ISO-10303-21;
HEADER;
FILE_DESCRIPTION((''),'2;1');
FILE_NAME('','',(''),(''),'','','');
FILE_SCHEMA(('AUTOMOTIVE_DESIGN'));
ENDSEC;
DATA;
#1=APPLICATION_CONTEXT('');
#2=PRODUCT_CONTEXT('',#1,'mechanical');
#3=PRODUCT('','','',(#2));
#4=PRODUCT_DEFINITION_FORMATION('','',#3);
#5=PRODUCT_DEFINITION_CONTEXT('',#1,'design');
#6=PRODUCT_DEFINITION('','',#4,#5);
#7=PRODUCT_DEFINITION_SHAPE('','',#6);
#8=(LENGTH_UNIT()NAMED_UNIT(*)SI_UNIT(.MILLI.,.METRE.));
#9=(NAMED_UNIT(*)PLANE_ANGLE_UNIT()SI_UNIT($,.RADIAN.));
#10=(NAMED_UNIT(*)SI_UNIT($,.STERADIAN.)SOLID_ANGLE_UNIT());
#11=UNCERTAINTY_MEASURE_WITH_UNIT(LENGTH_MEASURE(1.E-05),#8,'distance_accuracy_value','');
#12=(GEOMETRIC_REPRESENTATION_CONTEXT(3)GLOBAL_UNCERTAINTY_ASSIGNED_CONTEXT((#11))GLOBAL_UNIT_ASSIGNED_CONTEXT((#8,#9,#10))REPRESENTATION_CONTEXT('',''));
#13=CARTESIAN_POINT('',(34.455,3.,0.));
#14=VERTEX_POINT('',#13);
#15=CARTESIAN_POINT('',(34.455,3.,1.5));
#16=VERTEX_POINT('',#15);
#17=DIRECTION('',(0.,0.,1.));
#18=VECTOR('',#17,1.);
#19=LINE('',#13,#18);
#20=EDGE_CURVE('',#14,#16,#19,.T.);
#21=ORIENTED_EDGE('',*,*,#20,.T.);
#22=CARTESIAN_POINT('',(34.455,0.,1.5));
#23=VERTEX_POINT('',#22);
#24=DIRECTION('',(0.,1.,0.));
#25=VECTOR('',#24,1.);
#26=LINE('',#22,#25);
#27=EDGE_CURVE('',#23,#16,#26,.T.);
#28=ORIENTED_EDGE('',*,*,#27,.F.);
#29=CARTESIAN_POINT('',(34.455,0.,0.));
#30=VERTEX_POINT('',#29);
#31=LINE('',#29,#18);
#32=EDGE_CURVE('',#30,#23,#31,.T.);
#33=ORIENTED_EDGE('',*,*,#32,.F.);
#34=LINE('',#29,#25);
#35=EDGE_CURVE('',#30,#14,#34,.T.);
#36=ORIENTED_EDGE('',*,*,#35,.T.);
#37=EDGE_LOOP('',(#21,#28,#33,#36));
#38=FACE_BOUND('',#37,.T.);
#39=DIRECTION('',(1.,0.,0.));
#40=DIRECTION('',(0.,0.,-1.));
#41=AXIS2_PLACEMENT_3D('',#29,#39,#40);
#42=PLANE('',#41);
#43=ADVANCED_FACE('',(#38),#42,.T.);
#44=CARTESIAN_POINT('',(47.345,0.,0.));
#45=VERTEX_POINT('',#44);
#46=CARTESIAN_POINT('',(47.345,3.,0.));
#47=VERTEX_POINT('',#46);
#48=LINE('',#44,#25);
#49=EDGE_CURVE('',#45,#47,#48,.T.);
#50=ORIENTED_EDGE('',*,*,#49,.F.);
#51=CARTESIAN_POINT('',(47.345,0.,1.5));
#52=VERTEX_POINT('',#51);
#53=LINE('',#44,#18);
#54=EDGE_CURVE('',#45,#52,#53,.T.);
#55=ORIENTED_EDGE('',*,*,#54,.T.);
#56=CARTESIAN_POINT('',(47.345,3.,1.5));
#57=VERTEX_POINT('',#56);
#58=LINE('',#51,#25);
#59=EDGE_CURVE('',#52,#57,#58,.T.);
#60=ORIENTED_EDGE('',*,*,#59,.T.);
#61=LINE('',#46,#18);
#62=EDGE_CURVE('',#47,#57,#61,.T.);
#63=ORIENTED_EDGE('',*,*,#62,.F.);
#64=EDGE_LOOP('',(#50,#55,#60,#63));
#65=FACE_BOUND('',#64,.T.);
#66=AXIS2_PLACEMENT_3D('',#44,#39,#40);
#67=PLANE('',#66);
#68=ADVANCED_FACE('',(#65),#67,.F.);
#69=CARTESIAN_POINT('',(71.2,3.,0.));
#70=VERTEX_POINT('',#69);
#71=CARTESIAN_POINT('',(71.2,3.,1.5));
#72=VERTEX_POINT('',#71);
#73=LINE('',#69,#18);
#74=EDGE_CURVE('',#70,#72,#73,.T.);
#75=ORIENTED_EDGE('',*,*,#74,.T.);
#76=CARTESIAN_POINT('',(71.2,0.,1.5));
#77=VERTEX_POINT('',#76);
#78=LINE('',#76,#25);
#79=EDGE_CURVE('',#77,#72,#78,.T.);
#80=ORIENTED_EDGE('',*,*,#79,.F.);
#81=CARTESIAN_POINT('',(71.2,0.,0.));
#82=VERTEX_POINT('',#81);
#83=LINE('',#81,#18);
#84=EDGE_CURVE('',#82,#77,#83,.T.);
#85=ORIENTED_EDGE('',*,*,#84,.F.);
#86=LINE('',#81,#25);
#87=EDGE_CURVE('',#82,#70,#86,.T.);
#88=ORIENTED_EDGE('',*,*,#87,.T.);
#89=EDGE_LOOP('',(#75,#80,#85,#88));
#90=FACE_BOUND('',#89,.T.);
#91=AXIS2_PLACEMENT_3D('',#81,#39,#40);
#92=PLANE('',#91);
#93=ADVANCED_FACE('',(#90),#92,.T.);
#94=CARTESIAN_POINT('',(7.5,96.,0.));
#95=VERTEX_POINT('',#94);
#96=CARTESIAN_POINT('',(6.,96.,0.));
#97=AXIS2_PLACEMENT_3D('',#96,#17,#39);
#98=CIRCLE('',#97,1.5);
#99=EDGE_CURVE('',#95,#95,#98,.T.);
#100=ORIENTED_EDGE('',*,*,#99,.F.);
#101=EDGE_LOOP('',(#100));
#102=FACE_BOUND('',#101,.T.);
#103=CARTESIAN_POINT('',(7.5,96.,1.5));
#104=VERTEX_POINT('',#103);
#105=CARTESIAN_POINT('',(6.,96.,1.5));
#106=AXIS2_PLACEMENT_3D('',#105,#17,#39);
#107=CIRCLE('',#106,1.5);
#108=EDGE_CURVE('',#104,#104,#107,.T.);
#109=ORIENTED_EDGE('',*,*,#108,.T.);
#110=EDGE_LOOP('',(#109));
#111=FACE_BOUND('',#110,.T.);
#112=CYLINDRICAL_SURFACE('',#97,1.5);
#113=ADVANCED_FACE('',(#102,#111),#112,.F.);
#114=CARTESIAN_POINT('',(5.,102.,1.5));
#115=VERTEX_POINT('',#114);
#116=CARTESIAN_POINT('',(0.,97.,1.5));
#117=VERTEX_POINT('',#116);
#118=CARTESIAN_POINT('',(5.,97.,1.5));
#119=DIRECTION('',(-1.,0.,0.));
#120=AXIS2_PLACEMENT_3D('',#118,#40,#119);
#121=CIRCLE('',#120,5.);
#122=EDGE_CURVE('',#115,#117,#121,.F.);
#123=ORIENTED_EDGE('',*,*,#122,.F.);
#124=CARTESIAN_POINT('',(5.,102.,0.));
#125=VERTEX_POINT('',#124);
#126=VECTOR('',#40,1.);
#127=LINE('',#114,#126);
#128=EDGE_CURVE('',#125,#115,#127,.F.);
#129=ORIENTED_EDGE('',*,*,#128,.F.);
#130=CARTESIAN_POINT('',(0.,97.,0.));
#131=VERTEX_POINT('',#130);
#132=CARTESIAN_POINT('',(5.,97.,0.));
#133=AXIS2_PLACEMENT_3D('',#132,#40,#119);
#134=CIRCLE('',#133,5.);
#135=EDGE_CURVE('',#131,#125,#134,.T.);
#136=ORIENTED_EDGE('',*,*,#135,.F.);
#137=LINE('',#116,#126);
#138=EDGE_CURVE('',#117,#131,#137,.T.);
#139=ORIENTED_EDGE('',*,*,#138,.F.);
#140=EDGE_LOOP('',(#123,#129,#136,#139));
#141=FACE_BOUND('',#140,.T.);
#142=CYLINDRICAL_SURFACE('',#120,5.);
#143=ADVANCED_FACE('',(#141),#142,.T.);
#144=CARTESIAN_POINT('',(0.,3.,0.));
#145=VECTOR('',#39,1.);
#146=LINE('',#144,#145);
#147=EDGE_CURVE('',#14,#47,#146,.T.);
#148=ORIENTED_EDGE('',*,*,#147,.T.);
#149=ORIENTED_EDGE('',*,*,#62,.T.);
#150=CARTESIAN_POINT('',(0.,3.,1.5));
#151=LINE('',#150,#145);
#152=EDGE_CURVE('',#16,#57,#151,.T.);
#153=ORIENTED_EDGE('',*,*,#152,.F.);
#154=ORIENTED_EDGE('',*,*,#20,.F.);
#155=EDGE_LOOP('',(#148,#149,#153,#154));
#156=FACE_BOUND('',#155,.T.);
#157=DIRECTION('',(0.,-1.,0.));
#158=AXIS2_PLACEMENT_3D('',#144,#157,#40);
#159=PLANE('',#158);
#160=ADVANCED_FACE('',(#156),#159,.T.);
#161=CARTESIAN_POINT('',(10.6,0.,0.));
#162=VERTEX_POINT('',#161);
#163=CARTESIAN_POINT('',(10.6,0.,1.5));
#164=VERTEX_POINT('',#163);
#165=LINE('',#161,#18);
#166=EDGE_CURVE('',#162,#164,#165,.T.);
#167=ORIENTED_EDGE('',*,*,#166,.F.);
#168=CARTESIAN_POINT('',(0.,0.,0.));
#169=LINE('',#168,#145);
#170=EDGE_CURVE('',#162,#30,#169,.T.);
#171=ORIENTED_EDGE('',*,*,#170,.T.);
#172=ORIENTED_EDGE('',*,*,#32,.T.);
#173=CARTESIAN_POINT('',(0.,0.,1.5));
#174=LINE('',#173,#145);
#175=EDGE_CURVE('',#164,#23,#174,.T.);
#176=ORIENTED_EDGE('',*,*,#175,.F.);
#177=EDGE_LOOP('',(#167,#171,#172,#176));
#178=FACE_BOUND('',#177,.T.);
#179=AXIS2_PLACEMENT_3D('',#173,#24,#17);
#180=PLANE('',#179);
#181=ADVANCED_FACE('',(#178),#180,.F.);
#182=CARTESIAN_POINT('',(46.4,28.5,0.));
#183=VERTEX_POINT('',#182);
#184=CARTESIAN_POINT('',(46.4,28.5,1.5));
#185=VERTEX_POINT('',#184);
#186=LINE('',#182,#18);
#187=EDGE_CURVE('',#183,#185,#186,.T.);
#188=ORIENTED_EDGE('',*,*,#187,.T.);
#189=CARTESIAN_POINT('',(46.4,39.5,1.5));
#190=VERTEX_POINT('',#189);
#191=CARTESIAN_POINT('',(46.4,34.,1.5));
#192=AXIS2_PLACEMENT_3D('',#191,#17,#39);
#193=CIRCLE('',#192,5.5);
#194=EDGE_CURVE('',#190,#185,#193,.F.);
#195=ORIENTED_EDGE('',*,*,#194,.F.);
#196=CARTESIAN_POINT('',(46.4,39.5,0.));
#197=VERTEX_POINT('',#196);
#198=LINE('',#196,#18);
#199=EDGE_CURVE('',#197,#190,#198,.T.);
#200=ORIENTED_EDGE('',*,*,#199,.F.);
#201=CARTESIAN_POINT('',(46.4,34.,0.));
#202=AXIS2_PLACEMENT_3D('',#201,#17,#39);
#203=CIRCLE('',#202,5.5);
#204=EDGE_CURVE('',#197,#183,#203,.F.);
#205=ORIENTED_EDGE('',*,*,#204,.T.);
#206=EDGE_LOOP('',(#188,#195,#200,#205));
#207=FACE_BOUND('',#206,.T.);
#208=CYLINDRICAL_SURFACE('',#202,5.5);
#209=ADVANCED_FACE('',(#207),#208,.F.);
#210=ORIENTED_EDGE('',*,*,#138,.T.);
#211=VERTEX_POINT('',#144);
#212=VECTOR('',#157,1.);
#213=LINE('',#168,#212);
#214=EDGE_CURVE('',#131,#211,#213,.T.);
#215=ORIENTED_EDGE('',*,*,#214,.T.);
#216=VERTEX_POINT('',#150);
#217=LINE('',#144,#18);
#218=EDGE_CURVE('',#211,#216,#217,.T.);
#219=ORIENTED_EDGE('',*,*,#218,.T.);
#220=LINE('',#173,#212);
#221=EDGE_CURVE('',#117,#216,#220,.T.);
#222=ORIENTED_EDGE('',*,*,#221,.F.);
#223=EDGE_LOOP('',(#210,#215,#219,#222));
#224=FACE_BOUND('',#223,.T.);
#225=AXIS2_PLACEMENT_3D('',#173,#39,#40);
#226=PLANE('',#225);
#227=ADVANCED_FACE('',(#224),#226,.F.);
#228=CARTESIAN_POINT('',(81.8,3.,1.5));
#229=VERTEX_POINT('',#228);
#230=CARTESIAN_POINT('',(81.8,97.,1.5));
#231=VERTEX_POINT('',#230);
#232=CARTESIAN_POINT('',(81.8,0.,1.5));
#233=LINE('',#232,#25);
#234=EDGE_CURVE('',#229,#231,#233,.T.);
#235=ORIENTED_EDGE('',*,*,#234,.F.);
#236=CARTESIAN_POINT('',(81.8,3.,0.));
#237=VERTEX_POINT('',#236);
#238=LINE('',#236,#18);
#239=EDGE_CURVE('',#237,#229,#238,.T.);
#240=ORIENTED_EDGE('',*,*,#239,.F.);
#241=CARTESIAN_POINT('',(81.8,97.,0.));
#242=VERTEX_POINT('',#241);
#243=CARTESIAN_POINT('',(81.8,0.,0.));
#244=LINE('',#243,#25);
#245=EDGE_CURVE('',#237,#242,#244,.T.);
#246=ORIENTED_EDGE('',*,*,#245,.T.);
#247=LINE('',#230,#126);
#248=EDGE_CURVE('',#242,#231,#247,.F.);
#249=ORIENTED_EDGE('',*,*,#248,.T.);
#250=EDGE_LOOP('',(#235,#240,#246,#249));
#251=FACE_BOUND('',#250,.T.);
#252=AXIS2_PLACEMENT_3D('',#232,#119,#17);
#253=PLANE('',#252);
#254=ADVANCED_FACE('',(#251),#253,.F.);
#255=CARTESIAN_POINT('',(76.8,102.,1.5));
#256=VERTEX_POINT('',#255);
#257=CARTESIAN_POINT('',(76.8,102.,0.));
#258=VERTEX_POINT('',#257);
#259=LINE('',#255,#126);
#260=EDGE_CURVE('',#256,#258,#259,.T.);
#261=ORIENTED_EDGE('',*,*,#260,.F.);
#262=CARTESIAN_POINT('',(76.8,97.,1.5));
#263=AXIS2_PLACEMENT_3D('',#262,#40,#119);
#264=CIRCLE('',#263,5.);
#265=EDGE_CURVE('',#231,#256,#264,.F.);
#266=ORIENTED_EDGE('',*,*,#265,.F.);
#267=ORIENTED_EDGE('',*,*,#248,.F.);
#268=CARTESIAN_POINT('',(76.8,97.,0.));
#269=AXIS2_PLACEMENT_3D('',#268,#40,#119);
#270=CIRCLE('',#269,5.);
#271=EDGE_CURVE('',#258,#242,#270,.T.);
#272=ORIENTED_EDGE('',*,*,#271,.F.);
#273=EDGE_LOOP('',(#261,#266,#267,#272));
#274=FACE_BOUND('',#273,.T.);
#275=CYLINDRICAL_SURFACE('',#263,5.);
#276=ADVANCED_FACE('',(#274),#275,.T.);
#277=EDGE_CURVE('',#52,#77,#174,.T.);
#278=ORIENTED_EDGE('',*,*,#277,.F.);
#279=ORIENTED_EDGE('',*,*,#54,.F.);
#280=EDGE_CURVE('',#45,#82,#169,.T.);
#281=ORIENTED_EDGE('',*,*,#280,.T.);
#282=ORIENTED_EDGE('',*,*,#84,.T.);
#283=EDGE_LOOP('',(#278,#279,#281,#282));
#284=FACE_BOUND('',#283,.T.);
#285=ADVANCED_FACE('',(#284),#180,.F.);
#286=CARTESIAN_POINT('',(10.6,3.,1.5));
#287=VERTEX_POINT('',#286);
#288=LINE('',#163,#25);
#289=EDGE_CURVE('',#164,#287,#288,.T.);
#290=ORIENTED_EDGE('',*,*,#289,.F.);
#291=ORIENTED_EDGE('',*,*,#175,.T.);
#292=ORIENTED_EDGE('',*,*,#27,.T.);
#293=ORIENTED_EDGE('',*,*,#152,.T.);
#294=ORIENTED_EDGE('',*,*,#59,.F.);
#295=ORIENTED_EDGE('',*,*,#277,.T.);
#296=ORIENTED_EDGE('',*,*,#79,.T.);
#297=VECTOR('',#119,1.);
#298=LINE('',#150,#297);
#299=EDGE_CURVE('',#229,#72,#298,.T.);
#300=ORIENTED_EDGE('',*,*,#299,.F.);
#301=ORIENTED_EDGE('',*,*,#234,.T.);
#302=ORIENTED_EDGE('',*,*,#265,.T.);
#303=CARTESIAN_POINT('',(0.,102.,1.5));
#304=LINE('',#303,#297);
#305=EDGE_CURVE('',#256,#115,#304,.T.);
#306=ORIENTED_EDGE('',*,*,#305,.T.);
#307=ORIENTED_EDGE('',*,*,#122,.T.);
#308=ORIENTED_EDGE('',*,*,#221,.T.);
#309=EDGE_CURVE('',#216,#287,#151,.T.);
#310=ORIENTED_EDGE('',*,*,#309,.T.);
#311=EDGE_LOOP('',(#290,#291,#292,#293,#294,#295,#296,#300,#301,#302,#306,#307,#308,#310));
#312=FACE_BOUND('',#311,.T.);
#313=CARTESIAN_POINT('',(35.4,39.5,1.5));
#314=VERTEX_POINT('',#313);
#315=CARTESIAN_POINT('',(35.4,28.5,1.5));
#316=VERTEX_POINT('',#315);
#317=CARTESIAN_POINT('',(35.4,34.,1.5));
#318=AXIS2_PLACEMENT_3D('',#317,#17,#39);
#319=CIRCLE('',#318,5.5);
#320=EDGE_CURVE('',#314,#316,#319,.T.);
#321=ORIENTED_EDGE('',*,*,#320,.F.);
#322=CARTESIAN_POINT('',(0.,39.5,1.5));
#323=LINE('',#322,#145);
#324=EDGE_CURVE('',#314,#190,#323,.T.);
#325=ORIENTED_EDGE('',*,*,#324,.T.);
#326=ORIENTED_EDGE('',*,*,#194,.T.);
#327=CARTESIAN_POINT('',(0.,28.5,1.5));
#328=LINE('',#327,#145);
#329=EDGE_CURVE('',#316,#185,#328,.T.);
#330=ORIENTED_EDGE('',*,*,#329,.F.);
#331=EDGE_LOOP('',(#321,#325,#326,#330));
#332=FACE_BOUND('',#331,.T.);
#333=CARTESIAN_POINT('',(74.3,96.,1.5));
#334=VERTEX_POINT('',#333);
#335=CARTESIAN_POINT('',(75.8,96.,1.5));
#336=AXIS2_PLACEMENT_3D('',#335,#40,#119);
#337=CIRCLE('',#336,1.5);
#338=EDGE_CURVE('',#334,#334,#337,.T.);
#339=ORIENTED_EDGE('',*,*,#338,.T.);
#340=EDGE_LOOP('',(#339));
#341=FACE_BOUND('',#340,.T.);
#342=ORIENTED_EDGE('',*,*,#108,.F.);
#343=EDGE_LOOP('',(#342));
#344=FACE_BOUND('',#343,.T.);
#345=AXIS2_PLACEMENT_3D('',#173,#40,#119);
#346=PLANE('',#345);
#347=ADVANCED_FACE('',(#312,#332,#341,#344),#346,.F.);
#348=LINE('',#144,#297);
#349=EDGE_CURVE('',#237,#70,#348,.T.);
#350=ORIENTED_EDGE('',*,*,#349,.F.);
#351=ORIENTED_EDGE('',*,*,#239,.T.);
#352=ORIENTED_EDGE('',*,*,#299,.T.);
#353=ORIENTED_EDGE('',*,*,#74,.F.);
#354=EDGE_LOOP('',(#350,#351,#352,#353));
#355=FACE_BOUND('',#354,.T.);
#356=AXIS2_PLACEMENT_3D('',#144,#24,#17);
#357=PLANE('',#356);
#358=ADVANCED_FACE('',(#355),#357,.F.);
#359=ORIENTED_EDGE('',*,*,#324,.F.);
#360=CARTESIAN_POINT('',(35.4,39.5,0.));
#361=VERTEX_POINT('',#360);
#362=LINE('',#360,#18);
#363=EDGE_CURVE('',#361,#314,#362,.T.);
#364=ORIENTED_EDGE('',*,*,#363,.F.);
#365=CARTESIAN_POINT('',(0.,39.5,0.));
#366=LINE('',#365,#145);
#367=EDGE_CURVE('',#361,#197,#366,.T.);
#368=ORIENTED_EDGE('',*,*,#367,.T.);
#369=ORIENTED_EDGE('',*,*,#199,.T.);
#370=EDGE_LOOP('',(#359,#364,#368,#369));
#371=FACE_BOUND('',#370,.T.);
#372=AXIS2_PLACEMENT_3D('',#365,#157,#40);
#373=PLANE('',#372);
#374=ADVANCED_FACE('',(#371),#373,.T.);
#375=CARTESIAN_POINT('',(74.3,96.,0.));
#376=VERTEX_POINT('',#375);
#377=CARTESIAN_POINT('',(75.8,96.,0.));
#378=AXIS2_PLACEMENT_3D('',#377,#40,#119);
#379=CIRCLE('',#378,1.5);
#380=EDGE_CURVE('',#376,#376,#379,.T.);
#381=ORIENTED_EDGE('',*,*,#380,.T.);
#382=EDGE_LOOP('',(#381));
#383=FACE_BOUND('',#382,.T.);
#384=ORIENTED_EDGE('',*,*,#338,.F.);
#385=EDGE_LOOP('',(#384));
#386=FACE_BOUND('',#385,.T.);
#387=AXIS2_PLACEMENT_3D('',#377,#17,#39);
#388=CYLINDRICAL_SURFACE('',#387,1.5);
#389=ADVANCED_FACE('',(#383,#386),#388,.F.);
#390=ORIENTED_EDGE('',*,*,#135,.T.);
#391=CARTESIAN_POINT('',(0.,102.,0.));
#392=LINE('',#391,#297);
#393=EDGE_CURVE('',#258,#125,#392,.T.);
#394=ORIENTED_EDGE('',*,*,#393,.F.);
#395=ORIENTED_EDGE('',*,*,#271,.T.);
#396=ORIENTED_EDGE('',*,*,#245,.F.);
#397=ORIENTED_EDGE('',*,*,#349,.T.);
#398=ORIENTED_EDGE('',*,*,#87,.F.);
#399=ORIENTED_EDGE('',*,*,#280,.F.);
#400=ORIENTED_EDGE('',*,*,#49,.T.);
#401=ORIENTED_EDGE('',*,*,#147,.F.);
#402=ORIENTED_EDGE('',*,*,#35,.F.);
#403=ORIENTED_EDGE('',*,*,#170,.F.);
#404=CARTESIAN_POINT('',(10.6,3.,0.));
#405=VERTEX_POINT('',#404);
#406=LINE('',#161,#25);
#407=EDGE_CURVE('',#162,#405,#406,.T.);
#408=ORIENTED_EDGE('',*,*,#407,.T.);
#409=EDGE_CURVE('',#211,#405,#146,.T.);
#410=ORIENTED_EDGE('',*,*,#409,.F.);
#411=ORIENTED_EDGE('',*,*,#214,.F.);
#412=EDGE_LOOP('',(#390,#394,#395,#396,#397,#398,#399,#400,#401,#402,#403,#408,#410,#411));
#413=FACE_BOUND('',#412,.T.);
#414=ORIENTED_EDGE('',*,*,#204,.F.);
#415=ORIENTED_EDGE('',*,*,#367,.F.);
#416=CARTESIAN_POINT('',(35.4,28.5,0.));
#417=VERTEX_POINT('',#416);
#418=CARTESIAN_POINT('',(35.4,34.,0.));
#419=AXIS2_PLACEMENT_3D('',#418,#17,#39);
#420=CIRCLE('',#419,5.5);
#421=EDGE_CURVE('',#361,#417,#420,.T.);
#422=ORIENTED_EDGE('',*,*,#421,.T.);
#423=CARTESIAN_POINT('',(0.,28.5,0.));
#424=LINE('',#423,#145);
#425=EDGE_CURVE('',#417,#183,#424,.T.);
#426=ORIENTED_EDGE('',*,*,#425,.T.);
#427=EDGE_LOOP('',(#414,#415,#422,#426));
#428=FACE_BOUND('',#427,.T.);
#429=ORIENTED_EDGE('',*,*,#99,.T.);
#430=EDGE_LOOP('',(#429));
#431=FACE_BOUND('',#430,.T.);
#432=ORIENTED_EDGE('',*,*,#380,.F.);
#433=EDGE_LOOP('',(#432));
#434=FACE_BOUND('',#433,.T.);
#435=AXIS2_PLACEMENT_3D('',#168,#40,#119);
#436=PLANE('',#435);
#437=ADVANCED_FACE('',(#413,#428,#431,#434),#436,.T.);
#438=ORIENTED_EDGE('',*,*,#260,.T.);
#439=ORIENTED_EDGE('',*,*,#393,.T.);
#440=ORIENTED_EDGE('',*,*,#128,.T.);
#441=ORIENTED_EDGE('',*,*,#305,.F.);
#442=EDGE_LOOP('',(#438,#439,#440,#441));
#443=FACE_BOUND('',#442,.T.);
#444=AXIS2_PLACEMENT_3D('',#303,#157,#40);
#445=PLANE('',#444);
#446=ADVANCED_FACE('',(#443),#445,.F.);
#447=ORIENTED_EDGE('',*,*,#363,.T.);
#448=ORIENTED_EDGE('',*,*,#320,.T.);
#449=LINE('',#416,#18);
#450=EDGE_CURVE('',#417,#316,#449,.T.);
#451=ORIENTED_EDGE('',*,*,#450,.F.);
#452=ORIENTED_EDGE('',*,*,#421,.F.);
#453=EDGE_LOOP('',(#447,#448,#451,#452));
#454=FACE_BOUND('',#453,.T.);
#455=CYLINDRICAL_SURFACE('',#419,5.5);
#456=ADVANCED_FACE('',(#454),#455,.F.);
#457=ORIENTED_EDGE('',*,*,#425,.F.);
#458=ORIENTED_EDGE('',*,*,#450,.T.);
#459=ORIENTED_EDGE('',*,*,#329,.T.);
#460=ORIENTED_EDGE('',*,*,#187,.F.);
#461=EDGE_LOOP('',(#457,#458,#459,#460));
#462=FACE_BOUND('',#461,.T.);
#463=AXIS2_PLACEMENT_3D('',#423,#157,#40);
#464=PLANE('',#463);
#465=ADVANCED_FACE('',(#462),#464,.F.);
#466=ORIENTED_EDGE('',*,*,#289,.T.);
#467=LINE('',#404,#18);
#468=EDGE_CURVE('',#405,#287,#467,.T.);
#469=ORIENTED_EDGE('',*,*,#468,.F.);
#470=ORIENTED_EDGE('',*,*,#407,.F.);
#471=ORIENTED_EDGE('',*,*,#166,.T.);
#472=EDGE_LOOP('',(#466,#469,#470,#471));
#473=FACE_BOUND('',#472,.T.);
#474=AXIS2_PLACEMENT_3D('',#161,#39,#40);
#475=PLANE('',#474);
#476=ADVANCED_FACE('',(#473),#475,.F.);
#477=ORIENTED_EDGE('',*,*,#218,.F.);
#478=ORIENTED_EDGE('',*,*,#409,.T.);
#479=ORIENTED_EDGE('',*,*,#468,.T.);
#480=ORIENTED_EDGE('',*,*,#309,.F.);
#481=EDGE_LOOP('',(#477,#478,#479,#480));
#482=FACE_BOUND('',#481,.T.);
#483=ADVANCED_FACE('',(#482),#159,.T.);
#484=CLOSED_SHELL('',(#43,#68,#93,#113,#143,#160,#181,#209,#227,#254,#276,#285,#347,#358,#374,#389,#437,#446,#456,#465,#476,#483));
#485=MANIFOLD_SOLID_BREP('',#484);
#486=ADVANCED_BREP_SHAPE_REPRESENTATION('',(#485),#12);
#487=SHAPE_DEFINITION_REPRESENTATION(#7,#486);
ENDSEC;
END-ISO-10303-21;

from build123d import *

# Parameters (mm, degrees)
SKETCH1_W           = 81.8
SKETCH1_H           = 102
BOSS_EXTRUDE1_DEPTH = 1.5
SKETCH2_W           = 10.6
SKETCH2_H           = 3
SKETCH2_W_2         = 6.445
SKETCH2_R           = 1.5
CUT_EXTRUDE1_DEPTH  = 2.5
CUT_EXTRUDE2_DEPTH  = 2.5
FILLET1_R           = 5


with BuildPart() as part:
    # Sketch1 → Boss-Extrude1 (new body)
    with BuildSketch(Plane.XY):
        with Locations((40.9, 51)):
            Rectangle(SKETCH1_W, SKETCH1_H)
    extrude(amount=BOSS_EXTRUDE1_DEPTH)

    # Sketch2 → Cut-Extrude1 (cut, through all)
    with BuildSketch(Plane.XY.offset(1.5)):
        with Locations((5.3, 1.5)):
            Rectangle(SKETCH2_W, SKETCH2_H)
        with Locations((44.1225, 1.5)):
            Rectangle(SKETCH2_W_2, SKETCH2_H)
        with Locations((37.6775, 1.5)):
            Rectangle(SKETCH2_W_2, SKETCH2_H)
        with Locations((76.5, 1.5)):
            Rectangle(SKETCH2_W, SKETCH2_H)
        with Locations((6, 96)):
            Circle(SKETCH2_R)
        with Locations((75.8, 96)):
            Circle(SKETCH2_R)
    extrude(amount=-CUT_EXTRUDE1_DEPTH, mode=Mode.SUBTRACT)

    # Sketch3 → Cut-Extrude2 (cut, through all)
    with BuildSketch(Plane.XY.offset(1.5)):
        with BuildLine():
            ThreePointArc((35.4, 28.5), (39.289087297, 30.110912703), (40.9, 34))
            Line((40.9, 34), (29.9, 34))
            ThreePointArc((29.9, 34), (31.510912703, 30.110912703), (35.4, 28.5))
        make_face()
        with BuildLine():
            Line((29.9, 34), (40.9, 34))
            ThreePointArc((40.9, 34), (39.289087297, 37.889087297), (35.4, 39.5))
            ThreePointArc((35.4, 39.5), (31.510912703, 37.889087297), (29.9, 34))
        make_face()
        with BuildLine():
            ThreePointArc((46.4, 39.5), (42.510912703, 37.889087297), (40.9, 34))
            Line((40.9, 34), (51.9, 34))
            ThreePointArc((51.9, 34), (50.289087297, 37.889087297), (46.4, 39.5))
        make_face()
        with BuildLine():
            Line((51.9, 34), (40.9, 34))
            ThreePointArc((40.9, 34), (42.510912703, 30.110912703), (46.4, 28.5))
            ThreePointArc((46.4, 28.5), (50.289087297, 30.110912703), (51.9, 34))
        make_face()
        with BuildLine():
            Line((40.9, 28.5), (40.9, 34))
            ThreePointArc((40.9, 34), (39.289087297, 30.110912703), (35.4, 28.5))
            Line((35.4, 28.5), (40.9, 28.5))
        make_face()
        with BuildLine():
            ThreePointArc((46.4, 28.5), (42.510912703, 30.110912703), (40.9, 34))
            Line((40.9, 34), (40.9, 28.5))
            Line((40.9, 28.5), (46.4, 28.5))
        make_face()
        with BuildLine():
            Line((40.9, 39.5), (40.9, 34))
            ThreePointArc((40.9, 34), (42.510912703, 37.889087297), (46.4, 39.5))
            Line((46.4, 39.5), (40.9, 39.5))
        make_face()
        with BuildLine():
            ThreePointArc((35.4, 39.5), (39.289087297, 37.889087297), (40.9, 34))
            Line((40.9, 34), (40.9, 39.5))
            Line((40.9, 39.5), (35.4, 39.5))
        make_face()
    extrude(amount=-CUT_EXTRUDE2_DEPTH, mode=Mode.SUBTRACT)

    # Fillet1
    fillet1_edges = [part.edges().sort_by_distance(p)[0] for p in [
        (0, 102, 0.75),
        (81.8, 102, 0.75),
    ]]
    fillet(fillet1_edges, radius=FILLET1_R)


solid = part.part
